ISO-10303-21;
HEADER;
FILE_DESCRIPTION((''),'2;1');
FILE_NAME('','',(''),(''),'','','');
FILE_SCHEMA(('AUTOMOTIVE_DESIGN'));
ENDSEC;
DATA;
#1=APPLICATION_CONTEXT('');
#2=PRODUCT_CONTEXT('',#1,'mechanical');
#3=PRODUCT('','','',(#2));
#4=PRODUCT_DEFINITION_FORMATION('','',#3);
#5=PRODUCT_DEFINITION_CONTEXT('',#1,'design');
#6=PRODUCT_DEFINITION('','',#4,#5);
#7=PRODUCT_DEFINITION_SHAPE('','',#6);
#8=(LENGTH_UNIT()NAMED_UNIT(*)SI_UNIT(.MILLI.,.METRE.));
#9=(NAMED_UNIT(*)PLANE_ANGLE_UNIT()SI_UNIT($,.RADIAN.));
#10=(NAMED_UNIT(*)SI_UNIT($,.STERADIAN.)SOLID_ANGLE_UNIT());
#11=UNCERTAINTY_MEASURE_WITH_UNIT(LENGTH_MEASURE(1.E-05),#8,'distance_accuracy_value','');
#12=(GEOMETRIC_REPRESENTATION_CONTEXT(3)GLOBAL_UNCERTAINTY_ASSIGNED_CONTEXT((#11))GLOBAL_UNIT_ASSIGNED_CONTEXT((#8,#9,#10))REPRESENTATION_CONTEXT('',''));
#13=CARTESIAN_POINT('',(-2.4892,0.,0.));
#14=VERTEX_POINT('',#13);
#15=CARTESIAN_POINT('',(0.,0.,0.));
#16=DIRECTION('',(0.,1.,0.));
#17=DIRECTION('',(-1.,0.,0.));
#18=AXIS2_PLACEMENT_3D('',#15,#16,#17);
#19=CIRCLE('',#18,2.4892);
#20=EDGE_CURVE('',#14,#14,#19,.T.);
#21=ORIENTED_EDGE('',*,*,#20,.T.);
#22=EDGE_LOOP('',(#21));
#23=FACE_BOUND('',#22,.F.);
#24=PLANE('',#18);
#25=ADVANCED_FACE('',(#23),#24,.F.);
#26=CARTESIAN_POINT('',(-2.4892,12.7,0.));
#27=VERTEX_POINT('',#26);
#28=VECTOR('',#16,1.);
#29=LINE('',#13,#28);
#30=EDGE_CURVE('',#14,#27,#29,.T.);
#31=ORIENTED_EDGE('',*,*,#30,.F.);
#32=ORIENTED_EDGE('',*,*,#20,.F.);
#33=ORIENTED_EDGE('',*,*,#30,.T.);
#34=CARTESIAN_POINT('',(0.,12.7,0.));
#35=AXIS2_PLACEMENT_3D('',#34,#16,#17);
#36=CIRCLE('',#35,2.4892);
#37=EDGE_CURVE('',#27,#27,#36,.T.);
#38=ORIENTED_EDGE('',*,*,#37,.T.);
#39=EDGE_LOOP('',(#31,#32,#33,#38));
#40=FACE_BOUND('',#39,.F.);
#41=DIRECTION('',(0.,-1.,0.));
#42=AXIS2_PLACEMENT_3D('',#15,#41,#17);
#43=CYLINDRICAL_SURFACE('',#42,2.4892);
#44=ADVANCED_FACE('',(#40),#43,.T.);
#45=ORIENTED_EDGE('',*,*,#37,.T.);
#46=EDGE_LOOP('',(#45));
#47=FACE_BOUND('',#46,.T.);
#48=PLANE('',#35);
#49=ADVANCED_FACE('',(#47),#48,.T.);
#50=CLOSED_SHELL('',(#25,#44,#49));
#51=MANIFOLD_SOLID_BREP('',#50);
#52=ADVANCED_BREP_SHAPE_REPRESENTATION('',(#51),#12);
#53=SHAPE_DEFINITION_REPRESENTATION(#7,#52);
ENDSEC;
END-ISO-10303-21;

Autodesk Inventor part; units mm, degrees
ref_plane "YZ Plane" through (0, 0, 0) normal (1, 0, 0) x (0, 1, 0)
ref_plane "XZ Plane" through (0, 0, 0) normal (0, 1, 0) x (-1, 0, 0)
ref_plane "XY Plane" through (0, 0, 0) normal (0, 0, 1) x (1, 0, 0)
sketch "Sketch5" plane through (0, 0, 0) normal (0, 1, 0) x (-1, 0, 0)
  circle A0 centre (0, 0) radius 2.4892
  dimension "d11" = 4.9784
extrude "Extrusion4" add sketch "Sketch5" along normal blind 12.7
thread "Thread2" size "12-24 UNC" class "2A" standard "ANSI Unified Screw Threads" full length
properties part number "Screw"
